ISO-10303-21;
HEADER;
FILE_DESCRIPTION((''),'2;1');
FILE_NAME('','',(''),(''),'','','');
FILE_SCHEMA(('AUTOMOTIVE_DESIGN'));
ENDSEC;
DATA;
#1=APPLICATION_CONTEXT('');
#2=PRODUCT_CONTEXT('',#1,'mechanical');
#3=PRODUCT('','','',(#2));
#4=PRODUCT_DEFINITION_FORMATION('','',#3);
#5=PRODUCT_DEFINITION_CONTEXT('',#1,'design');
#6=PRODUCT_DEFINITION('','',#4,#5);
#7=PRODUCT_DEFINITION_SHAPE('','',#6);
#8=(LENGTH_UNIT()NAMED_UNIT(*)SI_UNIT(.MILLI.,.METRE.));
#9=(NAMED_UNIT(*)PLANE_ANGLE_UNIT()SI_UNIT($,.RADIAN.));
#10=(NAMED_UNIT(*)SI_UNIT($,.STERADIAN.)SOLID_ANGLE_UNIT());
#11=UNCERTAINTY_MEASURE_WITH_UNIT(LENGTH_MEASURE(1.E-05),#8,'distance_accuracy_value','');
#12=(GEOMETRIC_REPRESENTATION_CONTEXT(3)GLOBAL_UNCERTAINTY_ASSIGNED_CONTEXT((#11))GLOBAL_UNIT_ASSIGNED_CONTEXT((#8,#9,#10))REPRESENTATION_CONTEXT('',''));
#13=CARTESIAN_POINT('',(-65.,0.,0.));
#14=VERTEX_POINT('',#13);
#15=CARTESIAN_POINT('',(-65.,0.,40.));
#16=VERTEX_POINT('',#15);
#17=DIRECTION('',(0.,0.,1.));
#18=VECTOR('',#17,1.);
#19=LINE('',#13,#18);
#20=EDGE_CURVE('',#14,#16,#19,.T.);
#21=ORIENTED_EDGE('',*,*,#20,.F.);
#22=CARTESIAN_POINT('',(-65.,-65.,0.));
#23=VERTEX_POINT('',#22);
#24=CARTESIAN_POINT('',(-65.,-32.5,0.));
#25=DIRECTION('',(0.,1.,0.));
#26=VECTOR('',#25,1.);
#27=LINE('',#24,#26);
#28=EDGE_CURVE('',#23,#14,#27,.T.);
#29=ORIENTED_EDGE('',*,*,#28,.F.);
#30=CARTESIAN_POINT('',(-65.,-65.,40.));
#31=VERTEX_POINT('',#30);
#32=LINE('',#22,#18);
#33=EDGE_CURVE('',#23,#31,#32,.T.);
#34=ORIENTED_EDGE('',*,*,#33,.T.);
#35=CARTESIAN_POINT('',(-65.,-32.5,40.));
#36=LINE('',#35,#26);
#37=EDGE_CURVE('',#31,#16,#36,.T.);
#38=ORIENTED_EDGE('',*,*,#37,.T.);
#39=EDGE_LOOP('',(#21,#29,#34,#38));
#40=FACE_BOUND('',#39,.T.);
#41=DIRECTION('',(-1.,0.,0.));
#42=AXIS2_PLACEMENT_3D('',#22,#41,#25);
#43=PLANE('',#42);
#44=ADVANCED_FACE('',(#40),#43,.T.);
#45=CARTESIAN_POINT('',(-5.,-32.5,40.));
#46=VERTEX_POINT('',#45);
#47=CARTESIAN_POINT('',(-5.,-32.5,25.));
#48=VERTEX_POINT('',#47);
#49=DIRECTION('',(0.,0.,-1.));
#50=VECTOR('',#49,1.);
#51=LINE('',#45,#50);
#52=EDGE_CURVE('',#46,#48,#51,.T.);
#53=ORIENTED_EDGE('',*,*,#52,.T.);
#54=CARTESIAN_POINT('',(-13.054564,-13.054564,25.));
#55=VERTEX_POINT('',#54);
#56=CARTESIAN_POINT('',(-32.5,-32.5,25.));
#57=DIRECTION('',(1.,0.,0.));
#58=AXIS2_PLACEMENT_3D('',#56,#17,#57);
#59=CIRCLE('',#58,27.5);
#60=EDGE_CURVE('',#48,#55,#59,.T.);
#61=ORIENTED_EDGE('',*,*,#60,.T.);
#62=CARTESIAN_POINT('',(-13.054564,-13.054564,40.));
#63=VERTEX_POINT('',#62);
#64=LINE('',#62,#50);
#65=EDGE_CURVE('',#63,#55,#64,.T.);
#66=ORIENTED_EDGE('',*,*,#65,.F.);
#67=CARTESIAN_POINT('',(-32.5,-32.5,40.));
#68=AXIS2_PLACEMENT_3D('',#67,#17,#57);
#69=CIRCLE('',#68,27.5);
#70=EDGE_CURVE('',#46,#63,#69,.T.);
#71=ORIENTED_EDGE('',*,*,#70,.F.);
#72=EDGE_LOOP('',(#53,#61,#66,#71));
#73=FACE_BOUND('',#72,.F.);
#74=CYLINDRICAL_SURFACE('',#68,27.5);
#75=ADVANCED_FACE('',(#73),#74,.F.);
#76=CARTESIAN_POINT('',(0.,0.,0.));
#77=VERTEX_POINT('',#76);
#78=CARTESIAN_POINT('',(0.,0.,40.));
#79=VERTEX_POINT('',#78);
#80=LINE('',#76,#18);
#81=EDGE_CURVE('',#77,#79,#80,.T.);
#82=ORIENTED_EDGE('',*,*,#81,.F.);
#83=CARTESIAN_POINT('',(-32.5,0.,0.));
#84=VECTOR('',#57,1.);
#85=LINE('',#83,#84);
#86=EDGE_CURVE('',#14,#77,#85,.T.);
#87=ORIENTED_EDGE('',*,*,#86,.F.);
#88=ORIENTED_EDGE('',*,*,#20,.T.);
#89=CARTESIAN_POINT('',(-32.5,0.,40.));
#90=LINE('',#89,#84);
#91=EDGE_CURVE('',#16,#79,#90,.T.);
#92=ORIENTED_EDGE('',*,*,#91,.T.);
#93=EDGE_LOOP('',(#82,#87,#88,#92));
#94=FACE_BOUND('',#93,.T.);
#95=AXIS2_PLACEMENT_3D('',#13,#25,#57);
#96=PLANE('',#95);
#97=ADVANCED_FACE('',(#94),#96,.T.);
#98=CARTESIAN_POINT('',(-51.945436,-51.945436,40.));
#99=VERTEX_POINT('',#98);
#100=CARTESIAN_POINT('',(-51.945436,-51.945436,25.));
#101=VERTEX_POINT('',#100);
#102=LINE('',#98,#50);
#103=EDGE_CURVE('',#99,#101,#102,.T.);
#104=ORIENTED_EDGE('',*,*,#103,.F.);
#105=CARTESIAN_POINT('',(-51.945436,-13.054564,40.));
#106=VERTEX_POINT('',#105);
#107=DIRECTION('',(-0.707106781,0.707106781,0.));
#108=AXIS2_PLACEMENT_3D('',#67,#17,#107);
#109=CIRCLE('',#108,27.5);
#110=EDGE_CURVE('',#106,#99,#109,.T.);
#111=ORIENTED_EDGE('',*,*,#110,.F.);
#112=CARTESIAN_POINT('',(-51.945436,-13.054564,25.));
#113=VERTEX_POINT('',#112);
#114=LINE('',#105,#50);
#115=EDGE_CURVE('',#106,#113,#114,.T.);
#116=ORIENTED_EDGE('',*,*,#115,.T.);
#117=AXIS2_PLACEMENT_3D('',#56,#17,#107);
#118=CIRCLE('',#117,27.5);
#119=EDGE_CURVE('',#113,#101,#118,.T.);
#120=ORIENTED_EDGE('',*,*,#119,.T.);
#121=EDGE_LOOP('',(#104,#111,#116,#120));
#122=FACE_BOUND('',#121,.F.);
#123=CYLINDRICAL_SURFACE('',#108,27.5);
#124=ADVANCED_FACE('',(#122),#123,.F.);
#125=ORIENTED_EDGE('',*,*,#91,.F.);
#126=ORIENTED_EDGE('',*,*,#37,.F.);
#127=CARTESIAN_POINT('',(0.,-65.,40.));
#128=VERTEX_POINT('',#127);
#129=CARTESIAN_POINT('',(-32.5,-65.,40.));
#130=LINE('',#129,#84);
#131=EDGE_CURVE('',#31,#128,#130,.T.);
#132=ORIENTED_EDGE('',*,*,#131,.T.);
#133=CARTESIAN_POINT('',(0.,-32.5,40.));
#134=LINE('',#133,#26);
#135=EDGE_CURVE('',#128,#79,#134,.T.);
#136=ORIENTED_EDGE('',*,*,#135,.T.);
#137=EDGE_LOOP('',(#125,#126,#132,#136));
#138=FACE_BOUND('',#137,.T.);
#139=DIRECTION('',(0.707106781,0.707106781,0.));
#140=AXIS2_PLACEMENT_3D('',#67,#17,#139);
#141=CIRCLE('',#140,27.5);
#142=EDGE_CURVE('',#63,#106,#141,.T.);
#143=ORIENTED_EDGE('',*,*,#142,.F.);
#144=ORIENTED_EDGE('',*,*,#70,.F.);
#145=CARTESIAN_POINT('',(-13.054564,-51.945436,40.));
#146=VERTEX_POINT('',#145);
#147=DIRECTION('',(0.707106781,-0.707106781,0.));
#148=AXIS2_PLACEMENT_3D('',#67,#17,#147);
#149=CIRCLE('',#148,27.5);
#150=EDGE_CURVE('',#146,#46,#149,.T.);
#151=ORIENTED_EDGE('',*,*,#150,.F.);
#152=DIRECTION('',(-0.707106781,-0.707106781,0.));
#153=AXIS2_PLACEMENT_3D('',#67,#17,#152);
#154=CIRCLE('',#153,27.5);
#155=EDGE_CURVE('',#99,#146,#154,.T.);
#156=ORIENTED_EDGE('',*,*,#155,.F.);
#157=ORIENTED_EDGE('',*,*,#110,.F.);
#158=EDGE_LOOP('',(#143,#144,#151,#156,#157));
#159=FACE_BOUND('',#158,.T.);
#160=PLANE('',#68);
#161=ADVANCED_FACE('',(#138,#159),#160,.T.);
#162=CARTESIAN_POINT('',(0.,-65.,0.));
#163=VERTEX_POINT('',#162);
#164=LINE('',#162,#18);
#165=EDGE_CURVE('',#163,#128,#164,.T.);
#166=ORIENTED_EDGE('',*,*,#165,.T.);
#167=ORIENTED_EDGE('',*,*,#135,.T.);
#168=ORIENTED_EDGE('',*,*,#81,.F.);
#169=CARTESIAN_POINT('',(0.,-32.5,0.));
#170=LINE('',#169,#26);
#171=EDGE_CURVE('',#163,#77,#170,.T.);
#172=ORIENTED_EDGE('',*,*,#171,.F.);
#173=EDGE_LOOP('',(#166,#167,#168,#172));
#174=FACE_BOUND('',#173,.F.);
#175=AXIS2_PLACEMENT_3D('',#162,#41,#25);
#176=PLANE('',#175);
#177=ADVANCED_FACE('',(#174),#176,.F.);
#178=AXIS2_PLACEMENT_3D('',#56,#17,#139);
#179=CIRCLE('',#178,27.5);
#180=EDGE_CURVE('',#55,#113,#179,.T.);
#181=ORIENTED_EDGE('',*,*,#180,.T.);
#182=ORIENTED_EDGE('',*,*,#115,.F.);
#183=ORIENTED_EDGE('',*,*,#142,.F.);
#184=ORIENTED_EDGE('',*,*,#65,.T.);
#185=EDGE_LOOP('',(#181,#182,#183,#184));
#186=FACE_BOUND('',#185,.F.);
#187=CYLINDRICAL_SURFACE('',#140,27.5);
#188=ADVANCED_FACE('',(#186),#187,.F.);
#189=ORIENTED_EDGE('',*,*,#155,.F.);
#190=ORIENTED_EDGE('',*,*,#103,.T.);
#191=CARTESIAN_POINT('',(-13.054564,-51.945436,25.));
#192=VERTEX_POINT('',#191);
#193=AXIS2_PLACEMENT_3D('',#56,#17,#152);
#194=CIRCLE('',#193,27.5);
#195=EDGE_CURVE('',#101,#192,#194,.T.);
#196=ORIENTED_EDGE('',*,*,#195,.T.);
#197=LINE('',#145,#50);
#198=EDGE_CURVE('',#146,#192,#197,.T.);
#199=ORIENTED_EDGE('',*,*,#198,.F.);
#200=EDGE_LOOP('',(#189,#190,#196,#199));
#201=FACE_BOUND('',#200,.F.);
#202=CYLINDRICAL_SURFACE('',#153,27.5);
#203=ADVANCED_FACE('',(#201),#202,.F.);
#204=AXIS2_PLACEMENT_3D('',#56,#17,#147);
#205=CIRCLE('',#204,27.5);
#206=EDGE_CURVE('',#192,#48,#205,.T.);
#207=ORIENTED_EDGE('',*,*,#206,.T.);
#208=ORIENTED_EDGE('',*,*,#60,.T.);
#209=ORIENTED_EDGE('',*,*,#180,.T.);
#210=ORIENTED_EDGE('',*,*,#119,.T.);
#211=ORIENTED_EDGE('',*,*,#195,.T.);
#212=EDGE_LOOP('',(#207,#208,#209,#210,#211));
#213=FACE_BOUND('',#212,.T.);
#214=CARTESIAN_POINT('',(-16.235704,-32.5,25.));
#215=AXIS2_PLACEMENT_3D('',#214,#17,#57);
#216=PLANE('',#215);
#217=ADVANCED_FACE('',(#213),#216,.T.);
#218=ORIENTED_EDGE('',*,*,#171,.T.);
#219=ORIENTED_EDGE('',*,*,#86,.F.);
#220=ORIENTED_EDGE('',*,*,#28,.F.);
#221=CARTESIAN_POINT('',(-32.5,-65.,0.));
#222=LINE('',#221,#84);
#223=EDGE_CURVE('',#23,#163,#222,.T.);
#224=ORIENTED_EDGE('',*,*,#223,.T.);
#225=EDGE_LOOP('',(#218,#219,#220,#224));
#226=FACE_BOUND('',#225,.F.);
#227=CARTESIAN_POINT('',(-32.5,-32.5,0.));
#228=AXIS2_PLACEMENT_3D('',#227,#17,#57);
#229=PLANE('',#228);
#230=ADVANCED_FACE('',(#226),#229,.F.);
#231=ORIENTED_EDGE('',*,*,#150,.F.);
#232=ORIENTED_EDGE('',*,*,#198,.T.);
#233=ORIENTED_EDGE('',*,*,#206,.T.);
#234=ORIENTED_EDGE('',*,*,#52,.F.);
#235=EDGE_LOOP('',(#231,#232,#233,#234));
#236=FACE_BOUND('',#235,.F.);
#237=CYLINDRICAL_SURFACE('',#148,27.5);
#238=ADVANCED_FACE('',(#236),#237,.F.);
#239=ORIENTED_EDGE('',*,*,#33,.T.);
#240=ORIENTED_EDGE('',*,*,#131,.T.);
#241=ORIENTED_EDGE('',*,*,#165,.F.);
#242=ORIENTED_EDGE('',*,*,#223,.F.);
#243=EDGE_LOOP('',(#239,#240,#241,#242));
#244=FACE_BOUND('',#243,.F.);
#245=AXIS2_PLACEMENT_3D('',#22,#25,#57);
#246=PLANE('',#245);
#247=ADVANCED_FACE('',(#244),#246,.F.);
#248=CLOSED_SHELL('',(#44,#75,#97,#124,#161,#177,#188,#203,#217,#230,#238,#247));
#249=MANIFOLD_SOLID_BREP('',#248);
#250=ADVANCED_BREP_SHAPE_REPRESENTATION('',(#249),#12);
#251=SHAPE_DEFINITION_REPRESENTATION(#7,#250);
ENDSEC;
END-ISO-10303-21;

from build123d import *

# Parameters (mm, degrees)
F0_W     = 65
F0_H     = 65
F1_DEPTH = 40
F3_DEPTH = 15


with BuildPart() as f1:
    # F0 (on Top) → F1 (new body)
    with BuildSketch(Plane.XY):
        with Locations((-32.5, -32.5)):
            Rectangle(F0_W, F0_H)
    extrude(amount=F1_DEPTH)

    # F2 (on face) → F3 (cut)
    with BuildSketch(Plane.XY.offset(40)):
        with BuildLine():
            Line((-13.0545635174, -13.0545635174), (-32.5, -32.5))
            Line((-32.5, -32.5), (-13.0545635174, -51.9454364826))
            ThreePointArc((-13.0545635174, -51.9454364826), (-7.0933128559, -43.02379439), (-5, -32.5))
            ThreePointArc((-5, -32.5), (-7.0933128559, -21.97620561), (-13.0545635174, -13.0545635174))
        make_face()
        with BuildLine():
            ThreePointArc((-13.0545635174, -13.0545635174), (-32.5, -5), (-51.9454364826, -13.0545635174))
            Line((-51.9454364826, -13.0545635174), (-32.5, -32.5))
            Line((-32.5, -32.5), (-13.0545635174, -13.0545635174))
        make_face()
        with BuildLine():
            Line((-32.5, -32.5), (-51.9454364826, -13.0545635174))
            ThreePointArc((-51.9454364826, -13.0545635174), (-60, -32.5), (-51.9454364826, -51.9454364826))
            Line((-51.9454364826, -51.9454364826), (-32.5, -32.5))
        make_face()
        with BuildLine():
            Line((-13.0545635174, -51.9454364826), (-32.5, -32.5))
            Line((-32.5, -32.5), (-51.9454364826, -51.9454364826))
            ThreePointArc((-51.9454364826, -51.9454364826), (-32.5, -60), (-13.0545635174, -51.9454364826))
        make_face()
    extrude(amount=-F3_DEPTH, mode=Mode.SUBTRACT)


solid = f1.part
